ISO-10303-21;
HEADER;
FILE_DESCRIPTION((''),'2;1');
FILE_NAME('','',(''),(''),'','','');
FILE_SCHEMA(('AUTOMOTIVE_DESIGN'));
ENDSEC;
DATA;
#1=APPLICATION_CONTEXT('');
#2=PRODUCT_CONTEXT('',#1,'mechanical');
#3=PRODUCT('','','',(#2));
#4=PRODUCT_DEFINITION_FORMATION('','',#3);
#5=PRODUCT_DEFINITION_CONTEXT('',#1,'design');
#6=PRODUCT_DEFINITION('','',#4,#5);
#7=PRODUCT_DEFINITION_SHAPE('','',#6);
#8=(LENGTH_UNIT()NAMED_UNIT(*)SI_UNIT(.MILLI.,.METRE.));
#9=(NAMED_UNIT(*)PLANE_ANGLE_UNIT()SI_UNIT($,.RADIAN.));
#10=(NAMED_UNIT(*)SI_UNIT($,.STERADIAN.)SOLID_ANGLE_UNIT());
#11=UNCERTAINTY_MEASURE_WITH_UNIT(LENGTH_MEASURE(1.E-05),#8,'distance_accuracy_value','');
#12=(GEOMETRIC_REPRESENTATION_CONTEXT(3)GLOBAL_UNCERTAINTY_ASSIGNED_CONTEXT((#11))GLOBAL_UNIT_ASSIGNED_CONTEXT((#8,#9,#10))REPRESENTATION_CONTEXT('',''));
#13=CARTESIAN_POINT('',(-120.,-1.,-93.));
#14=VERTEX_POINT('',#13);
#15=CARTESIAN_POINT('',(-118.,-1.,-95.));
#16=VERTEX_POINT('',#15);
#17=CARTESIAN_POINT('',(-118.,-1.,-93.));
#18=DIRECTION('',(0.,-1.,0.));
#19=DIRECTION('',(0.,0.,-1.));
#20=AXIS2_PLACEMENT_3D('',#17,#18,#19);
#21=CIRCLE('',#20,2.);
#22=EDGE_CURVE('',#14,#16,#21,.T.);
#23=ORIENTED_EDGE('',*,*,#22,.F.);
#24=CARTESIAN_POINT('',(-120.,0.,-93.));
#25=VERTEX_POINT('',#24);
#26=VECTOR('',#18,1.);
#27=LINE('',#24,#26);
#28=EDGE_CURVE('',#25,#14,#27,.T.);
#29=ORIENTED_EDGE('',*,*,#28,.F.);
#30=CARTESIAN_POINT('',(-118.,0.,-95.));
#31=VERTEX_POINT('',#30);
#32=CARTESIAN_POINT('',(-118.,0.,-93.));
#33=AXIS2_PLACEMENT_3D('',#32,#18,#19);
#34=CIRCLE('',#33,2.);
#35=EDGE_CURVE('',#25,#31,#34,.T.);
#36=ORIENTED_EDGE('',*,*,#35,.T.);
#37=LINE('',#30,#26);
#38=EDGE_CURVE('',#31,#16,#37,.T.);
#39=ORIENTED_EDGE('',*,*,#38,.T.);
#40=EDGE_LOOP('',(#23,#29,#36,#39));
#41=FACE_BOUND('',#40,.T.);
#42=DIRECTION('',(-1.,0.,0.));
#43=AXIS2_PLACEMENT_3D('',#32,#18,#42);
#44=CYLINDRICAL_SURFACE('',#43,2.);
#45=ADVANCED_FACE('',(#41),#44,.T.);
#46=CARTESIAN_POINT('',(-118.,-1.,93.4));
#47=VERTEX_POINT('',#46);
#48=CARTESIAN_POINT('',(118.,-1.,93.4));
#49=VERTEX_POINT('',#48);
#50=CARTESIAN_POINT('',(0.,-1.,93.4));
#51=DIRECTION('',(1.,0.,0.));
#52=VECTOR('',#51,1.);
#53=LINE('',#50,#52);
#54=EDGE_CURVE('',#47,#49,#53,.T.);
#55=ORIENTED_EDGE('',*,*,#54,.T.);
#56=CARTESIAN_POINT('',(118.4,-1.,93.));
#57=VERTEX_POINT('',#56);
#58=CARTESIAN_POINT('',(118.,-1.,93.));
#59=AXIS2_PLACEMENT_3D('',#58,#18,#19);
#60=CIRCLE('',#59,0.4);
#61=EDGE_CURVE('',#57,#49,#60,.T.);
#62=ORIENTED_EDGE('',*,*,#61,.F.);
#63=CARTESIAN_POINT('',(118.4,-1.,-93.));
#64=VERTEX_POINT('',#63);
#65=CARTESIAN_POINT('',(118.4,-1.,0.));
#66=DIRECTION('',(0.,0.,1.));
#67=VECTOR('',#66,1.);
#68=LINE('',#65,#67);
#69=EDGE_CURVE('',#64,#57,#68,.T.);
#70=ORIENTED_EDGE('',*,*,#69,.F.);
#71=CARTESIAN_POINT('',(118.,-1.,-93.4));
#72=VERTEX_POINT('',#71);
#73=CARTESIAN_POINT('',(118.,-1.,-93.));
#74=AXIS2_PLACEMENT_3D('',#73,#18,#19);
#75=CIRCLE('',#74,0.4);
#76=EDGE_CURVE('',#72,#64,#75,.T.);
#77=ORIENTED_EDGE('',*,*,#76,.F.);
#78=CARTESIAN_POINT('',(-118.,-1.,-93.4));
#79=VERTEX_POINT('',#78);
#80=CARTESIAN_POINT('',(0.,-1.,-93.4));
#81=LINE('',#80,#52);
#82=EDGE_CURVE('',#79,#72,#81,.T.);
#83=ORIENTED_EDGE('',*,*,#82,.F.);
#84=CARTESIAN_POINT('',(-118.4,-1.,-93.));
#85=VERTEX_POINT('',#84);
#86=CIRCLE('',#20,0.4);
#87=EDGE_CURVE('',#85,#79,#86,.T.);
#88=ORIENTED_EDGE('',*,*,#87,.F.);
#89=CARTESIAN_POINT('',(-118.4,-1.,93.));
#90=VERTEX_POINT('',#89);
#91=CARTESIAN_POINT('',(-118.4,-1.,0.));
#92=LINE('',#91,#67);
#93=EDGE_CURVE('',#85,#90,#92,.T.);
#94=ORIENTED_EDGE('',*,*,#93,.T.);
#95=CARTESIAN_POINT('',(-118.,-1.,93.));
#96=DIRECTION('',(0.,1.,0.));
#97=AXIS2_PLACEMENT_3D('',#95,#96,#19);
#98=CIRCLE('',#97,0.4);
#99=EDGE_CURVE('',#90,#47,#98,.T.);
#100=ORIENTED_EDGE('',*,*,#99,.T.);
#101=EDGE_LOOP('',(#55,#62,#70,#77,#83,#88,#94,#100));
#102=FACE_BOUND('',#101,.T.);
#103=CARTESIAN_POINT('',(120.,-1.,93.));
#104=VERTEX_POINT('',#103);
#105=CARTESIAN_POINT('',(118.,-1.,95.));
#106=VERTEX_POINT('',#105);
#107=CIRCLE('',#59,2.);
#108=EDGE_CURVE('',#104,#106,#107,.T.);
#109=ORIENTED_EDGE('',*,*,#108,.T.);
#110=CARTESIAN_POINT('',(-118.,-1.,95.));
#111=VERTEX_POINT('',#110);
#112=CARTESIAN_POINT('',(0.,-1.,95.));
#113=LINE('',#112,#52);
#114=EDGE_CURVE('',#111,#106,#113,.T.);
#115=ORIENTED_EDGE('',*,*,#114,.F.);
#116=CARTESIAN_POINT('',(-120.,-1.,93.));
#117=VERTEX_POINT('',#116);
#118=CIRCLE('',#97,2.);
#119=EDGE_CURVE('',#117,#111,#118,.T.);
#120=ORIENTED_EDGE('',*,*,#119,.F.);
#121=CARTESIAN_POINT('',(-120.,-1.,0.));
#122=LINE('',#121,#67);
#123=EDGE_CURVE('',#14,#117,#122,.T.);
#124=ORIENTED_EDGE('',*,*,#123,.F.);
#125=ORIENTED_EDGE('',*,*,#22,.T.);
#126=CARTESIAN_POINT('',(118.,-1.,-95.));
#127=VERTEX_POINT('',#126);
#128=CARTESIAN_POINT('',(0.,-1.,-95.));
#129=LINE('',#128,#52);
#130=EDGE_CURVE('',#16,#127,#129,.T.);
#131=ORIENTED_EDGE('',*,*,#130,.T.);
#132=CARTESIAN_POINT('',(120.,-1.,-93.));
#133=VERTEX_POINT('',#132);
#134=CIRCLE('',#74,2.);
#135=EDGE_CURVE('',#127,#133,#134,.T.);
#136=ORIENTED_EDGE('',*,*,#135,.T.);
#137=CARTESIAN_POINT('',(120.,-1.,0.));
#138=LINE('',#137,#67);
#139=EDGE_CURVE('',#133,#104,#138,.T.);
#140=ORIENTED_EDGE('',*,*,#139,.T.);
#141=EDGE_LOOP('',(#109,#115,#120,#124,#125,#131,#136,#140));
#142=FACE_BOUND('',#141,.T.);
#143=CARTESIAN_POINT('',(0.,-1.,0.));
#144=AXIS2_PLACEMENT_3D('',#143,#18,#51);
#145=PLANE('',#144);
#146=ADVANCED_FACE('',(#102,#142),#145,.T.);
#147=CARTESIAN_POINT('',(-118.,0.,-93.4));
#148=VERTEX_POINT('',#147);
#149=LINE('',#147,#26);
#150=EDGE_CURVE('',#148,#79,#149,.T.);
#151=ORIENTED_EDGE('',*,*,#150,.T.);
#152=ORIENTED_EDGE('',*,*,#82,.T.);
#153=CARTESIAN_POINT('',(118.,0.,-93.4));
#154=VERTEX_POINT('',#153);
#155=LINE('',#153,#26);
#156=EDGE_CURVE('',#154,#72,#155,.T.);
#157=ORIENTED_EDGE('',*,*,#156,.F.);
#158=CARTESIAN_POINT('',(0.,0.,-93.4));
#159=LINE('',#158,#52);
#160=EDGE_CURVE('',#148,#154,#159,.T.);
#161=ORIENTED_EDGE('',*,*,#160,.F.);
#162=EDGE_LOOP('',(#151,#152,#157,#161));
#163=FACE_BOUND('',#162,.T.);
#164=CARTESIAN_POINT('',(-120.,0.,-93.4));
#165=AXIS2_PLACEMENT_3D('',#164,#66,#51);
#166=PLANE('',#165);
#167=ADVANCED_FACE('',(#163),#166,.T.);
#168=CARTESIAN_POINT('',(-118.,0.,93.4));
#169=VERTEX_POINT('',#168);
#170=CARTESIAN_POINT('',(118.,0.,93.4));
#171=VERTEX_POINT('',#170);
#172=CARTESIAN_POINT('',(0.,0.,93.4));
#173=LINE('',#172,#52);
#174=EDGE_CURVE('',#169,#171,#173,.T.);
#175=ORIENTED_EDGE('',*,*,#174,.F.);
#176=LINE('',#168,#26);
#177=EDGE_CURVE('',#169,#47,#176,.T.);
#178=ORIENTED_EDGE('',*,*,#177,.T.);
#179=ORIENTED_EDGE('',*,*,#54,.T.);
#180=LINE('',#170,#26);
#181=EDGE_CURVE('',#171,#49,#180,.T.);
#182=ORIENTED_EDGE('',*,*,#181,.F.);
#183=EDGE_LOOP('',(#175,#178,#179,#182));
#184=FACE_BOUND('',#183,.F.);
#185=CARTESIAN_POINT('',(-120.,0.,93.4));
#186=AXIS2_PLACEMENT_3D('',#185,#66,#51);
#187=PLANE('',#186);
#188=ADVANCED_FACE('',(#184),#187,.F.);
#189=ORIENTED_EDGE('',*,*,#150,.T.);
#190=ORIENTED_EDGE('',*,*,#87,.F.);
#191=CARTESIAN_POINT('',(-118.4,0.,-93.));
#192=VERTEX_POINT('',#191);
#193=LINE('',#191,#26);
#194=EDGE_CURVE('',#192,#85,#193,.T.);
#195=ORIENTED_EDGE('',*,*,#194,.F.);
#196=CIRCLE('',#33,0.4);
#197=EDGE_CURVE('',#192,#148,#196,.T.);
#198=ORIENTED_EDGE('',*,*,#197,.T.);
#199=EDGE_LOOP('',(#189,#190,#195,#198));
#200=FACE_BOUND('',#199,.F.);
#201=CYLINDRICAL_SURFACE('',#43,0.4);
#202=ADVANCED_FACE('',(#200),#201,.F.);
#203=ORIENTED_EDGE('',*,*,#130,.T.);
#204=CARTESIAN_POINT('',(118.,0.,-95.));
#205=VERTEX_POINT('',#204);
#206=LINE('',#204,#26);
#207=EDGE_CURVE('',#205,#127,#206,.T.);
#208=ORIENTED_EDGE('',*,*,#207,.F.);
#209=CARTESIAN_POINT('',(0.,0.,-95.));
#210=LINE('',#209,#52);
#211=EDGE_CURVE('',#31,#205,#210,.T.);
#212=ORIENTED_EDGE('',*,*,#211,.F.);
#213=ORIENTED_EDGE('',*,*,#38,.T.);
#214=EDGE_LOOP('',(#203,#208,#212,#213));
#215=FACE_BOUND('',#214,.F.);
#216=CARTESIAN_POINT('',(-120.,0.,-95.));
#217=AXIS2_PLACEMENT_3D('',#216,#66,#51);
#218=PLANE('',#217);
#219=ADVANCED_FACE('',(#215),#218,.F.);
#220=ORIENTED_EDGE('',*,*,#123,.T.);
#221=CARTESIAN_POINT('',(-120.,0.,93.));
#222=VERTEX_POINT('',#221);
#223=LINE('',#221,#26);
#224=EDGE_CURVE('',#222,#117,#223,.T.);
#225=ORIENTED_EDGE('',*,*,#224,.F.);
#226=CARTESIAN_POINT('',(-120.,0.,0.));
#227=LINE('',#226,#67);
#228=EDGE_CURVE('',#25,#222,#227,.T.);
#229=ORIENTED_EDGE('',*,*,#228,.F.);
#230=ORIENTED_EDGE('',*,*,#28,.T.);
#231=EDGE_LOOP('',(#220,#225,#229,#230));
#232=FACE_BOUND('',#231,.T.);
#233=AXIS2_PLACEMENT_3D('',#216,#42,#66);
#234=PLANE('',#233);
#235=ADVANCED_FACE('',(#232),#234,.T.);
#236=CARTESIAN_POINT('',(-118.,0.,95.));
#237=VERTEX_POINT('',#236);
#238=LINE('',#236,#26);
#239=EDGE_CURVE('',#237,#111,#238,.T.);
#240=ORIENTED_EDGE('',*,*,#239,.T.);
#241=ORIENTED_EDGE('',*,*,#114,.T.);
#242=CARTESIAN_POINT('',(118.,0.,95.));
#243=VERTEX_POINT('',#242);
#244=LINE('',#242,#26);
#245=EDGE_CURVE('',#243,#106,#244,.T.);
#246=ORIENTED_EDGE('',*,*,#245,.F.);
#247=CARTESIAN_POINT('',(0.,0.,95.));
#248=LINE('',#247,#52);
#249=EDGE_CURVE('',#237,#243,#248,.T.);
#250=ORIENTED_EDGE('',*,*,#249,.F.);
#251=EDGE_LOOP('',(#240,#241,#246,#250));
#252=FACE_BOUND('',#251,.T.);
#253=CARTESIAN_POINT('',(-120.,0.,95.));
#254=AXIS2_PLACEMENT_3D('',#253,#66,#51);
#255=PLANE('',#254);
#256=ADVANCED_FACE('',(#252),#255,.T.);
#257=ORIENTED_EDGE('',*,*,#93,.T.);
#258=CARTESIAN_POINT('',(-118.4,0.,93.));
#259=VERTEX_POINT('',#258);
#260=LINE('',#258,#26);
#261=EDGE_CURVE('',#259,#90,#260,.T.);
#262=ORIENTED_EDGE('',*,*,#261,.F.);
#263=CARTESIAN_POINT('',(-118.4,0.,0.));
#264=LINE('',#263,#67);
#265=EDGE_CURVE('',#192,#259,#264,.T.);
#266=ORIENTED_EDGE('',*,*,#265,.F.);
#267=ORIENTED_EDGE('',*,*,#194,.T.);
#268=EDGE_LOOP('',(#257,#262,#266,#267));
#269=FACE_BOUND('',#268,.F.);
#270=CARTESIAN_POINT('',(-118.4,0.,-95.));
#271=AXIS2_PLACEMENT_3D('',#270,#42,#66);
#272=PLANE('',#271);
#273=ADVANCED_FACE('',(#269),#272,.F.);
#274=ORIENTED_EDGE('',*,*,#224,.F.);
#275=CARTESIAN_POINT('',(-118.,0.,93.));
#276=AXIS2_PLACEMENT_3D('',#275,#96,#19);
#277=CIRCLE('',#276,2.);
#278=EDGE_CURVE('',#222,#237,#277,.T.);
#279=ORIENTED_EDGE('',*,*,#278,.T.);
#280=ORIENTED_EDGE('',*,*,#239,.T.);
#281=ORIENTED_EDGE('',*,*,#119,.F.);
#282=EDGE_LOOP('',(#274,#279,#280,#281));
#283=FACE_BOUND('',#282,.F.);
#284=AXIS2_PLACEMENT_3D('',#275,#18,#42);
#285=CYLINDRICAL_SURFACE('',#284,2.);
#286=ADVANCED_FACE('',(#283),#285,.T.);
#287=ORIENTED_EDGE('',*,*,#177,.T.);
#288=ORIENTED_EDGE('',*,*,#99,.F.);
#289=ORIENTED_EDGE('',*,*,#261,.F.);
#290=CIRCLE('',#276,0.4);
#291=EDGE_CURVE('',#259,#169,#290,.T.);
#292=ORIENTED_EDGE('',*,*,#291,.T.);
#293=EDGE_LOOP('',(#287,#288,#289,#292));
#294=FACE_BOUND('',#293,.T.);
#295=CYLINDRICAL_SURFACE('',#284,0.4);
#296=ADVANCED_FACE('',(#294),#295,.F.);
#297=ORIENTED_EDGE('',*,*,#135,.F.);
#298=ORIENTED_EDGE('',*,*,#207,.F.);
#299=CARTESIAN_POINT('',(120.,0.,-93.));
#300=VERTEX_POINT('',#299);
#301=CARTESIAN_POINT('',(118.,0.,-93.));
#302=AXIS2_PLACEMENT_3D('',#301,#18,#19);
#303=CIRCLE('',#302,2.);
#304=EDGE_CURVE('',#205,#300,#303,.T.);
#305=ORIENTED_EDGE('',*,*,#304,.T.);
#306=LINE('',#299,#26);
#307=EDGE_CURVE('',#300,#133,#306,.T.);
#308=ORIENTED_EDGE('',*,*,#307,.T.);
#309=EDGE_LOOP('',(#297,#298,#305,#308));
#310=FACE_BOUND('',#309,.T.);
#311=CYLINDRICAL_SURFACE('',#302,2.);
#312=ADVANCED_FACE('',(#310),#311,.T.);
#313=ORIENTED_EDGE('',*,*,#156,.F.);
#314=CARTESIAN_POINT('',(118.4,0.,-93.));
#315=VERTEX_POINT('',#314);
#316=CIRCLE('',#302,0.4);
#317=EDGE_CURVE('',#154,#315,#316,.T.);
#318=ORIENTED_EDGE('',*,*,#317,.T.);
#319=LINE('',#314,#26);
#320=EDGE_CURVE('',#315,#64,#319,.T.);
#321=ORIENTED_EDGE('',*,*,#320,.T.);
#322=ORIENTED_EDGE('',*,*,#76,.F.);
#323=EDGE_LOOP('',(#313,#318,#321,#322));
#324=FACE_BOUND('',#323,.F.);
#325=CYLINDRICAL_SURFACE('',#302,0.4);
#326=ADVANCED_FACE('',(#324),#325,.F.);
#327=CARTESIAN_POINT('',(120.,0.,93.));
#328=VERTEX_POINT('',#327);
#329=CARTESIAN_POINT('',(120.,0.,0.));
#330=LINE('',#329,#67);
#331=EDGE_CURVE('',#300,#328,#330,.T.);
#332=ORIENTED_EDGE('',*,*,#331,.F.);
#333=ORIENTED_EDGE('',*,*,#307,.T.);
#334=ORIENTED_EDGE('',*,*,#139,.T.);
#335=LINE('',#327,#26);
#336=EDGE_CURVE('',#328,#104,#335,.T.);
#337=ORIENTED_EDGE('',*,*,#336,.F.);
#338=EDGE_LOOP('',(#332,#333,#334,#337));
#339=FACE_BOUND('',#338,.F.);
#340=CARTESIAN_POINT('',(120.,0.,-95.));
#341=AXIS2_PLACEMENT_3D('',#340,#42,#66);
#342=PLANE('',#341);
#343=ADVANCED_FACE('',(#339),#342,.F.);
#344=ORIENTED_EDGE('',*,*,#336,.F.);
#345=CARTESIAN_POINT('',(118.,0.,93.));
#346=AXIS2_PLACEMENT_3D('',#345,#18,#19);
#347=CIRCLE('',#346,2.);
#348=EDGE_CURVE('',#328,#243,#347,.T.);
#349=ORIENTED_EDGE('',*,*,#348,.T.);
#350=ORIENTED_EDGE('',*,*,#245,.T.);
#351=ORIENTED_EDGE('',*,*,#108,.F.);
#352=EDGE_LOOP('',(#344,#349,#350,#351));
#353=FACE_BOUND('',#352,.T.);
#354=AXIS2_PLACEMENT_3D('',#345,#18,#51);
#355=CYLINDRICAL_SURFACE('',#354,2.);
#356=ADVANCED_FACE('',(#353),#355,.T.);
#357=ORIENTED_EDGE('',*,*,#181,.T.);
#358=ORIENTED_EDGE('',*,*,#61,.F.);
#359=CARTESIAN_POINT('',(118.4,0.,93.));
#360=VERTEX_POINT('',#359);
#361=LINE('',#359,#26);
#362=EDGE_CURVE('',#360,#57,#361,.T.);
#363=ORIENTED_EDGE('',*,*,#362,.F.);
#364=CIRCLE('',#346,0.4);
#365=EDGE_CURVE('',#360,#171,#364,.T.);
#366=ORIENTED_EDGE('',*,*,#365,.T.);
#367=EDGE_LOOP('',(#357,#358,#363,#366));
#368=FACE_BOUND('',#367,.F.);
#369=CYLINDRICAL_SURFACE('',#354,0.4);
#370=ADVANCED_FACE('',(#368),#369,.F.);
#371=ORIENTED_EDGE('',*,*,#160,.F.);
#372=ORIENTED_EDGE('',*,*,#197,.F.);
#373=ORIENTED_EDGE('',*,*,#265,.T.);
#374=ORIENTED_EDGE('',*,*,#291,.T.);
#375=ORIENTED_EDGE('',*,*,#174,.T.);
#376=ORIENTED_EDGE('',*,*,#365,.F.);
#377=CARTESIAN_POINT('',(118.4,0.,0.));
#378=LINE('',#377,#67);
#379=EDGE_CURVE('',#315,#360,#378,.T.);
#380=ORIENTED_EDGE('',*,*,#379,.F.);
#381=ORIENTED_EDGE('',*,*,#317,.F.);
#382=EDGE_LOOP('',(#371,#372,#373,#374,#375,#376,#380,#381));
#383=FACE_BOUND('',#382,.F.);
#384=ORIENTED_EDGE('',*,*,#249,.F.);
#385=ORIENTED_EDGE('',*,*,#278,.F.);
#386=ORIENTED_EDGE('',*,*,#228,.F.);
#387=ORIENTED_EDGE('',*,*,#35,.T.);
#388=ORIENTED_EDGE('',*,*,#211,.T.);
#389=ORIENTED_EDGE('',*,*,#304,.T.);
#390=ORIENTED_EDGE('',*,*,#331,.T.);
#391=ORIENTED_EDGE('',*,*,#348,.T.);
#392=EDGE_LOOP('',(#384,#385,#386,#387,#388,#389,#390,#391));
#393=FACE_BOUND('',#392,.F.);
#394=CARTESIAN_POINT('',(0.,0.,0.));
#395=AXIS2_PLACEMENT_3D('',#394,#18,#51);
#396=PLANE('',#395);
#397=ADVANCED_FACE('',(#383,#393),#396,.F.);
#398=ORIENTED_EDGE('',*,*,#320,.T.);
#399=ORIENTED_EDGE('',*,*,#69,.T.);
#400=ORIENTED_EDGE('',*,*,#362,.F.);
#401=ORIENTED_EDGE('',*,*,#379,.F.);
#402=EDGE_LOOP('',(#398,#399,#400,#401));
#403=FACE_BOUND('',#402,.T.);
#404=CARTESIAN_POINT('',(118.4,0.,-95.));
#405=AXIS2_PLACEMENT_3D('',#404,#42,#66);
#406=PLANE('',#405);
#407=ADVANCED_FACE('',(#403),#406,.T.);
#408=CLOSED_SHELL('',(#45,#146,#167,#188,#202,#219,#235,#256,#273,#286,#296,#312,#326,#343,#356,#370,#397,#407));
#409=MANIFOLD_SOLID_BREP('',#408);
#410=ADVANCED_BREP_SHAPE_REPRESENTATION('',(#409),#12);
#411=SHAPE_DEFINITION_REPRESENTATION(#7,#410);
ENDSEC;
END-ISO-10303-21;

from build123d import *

# Parameters (mm, degrees)
F0_W     = 240
F0_H     = 190
F1_DEPTH = 1
F2_R     = 2
F3_T     = -1.6


with BuildPart() as f1:
    # F0 (on Front) → F1 (new body)
    with BuildSketch(Plane.XZ):
        Rectangle(F0_W, F0_H)
    extrude(amount=F1_DEPTH)

    # F2
    f2_edges = [f1.edges().sort_by_distance(p)[0] for p in [
        (120, -0.5, 95),
        (-120, -0.5, 95),
        (-120, -0.5, -95),
        (120, -0.5, -95),
    ]]
    fillet(f2_edges, radius=F2_R)

    # F3
    f3_openings = [f1.faces().sort_by_distance(p)[0] for p in [
        (0, 0, 0),
        (0, -1, 0),
    ]]
    offset(amount=F3_T, openings=f3_openings)


solid = f1.part
